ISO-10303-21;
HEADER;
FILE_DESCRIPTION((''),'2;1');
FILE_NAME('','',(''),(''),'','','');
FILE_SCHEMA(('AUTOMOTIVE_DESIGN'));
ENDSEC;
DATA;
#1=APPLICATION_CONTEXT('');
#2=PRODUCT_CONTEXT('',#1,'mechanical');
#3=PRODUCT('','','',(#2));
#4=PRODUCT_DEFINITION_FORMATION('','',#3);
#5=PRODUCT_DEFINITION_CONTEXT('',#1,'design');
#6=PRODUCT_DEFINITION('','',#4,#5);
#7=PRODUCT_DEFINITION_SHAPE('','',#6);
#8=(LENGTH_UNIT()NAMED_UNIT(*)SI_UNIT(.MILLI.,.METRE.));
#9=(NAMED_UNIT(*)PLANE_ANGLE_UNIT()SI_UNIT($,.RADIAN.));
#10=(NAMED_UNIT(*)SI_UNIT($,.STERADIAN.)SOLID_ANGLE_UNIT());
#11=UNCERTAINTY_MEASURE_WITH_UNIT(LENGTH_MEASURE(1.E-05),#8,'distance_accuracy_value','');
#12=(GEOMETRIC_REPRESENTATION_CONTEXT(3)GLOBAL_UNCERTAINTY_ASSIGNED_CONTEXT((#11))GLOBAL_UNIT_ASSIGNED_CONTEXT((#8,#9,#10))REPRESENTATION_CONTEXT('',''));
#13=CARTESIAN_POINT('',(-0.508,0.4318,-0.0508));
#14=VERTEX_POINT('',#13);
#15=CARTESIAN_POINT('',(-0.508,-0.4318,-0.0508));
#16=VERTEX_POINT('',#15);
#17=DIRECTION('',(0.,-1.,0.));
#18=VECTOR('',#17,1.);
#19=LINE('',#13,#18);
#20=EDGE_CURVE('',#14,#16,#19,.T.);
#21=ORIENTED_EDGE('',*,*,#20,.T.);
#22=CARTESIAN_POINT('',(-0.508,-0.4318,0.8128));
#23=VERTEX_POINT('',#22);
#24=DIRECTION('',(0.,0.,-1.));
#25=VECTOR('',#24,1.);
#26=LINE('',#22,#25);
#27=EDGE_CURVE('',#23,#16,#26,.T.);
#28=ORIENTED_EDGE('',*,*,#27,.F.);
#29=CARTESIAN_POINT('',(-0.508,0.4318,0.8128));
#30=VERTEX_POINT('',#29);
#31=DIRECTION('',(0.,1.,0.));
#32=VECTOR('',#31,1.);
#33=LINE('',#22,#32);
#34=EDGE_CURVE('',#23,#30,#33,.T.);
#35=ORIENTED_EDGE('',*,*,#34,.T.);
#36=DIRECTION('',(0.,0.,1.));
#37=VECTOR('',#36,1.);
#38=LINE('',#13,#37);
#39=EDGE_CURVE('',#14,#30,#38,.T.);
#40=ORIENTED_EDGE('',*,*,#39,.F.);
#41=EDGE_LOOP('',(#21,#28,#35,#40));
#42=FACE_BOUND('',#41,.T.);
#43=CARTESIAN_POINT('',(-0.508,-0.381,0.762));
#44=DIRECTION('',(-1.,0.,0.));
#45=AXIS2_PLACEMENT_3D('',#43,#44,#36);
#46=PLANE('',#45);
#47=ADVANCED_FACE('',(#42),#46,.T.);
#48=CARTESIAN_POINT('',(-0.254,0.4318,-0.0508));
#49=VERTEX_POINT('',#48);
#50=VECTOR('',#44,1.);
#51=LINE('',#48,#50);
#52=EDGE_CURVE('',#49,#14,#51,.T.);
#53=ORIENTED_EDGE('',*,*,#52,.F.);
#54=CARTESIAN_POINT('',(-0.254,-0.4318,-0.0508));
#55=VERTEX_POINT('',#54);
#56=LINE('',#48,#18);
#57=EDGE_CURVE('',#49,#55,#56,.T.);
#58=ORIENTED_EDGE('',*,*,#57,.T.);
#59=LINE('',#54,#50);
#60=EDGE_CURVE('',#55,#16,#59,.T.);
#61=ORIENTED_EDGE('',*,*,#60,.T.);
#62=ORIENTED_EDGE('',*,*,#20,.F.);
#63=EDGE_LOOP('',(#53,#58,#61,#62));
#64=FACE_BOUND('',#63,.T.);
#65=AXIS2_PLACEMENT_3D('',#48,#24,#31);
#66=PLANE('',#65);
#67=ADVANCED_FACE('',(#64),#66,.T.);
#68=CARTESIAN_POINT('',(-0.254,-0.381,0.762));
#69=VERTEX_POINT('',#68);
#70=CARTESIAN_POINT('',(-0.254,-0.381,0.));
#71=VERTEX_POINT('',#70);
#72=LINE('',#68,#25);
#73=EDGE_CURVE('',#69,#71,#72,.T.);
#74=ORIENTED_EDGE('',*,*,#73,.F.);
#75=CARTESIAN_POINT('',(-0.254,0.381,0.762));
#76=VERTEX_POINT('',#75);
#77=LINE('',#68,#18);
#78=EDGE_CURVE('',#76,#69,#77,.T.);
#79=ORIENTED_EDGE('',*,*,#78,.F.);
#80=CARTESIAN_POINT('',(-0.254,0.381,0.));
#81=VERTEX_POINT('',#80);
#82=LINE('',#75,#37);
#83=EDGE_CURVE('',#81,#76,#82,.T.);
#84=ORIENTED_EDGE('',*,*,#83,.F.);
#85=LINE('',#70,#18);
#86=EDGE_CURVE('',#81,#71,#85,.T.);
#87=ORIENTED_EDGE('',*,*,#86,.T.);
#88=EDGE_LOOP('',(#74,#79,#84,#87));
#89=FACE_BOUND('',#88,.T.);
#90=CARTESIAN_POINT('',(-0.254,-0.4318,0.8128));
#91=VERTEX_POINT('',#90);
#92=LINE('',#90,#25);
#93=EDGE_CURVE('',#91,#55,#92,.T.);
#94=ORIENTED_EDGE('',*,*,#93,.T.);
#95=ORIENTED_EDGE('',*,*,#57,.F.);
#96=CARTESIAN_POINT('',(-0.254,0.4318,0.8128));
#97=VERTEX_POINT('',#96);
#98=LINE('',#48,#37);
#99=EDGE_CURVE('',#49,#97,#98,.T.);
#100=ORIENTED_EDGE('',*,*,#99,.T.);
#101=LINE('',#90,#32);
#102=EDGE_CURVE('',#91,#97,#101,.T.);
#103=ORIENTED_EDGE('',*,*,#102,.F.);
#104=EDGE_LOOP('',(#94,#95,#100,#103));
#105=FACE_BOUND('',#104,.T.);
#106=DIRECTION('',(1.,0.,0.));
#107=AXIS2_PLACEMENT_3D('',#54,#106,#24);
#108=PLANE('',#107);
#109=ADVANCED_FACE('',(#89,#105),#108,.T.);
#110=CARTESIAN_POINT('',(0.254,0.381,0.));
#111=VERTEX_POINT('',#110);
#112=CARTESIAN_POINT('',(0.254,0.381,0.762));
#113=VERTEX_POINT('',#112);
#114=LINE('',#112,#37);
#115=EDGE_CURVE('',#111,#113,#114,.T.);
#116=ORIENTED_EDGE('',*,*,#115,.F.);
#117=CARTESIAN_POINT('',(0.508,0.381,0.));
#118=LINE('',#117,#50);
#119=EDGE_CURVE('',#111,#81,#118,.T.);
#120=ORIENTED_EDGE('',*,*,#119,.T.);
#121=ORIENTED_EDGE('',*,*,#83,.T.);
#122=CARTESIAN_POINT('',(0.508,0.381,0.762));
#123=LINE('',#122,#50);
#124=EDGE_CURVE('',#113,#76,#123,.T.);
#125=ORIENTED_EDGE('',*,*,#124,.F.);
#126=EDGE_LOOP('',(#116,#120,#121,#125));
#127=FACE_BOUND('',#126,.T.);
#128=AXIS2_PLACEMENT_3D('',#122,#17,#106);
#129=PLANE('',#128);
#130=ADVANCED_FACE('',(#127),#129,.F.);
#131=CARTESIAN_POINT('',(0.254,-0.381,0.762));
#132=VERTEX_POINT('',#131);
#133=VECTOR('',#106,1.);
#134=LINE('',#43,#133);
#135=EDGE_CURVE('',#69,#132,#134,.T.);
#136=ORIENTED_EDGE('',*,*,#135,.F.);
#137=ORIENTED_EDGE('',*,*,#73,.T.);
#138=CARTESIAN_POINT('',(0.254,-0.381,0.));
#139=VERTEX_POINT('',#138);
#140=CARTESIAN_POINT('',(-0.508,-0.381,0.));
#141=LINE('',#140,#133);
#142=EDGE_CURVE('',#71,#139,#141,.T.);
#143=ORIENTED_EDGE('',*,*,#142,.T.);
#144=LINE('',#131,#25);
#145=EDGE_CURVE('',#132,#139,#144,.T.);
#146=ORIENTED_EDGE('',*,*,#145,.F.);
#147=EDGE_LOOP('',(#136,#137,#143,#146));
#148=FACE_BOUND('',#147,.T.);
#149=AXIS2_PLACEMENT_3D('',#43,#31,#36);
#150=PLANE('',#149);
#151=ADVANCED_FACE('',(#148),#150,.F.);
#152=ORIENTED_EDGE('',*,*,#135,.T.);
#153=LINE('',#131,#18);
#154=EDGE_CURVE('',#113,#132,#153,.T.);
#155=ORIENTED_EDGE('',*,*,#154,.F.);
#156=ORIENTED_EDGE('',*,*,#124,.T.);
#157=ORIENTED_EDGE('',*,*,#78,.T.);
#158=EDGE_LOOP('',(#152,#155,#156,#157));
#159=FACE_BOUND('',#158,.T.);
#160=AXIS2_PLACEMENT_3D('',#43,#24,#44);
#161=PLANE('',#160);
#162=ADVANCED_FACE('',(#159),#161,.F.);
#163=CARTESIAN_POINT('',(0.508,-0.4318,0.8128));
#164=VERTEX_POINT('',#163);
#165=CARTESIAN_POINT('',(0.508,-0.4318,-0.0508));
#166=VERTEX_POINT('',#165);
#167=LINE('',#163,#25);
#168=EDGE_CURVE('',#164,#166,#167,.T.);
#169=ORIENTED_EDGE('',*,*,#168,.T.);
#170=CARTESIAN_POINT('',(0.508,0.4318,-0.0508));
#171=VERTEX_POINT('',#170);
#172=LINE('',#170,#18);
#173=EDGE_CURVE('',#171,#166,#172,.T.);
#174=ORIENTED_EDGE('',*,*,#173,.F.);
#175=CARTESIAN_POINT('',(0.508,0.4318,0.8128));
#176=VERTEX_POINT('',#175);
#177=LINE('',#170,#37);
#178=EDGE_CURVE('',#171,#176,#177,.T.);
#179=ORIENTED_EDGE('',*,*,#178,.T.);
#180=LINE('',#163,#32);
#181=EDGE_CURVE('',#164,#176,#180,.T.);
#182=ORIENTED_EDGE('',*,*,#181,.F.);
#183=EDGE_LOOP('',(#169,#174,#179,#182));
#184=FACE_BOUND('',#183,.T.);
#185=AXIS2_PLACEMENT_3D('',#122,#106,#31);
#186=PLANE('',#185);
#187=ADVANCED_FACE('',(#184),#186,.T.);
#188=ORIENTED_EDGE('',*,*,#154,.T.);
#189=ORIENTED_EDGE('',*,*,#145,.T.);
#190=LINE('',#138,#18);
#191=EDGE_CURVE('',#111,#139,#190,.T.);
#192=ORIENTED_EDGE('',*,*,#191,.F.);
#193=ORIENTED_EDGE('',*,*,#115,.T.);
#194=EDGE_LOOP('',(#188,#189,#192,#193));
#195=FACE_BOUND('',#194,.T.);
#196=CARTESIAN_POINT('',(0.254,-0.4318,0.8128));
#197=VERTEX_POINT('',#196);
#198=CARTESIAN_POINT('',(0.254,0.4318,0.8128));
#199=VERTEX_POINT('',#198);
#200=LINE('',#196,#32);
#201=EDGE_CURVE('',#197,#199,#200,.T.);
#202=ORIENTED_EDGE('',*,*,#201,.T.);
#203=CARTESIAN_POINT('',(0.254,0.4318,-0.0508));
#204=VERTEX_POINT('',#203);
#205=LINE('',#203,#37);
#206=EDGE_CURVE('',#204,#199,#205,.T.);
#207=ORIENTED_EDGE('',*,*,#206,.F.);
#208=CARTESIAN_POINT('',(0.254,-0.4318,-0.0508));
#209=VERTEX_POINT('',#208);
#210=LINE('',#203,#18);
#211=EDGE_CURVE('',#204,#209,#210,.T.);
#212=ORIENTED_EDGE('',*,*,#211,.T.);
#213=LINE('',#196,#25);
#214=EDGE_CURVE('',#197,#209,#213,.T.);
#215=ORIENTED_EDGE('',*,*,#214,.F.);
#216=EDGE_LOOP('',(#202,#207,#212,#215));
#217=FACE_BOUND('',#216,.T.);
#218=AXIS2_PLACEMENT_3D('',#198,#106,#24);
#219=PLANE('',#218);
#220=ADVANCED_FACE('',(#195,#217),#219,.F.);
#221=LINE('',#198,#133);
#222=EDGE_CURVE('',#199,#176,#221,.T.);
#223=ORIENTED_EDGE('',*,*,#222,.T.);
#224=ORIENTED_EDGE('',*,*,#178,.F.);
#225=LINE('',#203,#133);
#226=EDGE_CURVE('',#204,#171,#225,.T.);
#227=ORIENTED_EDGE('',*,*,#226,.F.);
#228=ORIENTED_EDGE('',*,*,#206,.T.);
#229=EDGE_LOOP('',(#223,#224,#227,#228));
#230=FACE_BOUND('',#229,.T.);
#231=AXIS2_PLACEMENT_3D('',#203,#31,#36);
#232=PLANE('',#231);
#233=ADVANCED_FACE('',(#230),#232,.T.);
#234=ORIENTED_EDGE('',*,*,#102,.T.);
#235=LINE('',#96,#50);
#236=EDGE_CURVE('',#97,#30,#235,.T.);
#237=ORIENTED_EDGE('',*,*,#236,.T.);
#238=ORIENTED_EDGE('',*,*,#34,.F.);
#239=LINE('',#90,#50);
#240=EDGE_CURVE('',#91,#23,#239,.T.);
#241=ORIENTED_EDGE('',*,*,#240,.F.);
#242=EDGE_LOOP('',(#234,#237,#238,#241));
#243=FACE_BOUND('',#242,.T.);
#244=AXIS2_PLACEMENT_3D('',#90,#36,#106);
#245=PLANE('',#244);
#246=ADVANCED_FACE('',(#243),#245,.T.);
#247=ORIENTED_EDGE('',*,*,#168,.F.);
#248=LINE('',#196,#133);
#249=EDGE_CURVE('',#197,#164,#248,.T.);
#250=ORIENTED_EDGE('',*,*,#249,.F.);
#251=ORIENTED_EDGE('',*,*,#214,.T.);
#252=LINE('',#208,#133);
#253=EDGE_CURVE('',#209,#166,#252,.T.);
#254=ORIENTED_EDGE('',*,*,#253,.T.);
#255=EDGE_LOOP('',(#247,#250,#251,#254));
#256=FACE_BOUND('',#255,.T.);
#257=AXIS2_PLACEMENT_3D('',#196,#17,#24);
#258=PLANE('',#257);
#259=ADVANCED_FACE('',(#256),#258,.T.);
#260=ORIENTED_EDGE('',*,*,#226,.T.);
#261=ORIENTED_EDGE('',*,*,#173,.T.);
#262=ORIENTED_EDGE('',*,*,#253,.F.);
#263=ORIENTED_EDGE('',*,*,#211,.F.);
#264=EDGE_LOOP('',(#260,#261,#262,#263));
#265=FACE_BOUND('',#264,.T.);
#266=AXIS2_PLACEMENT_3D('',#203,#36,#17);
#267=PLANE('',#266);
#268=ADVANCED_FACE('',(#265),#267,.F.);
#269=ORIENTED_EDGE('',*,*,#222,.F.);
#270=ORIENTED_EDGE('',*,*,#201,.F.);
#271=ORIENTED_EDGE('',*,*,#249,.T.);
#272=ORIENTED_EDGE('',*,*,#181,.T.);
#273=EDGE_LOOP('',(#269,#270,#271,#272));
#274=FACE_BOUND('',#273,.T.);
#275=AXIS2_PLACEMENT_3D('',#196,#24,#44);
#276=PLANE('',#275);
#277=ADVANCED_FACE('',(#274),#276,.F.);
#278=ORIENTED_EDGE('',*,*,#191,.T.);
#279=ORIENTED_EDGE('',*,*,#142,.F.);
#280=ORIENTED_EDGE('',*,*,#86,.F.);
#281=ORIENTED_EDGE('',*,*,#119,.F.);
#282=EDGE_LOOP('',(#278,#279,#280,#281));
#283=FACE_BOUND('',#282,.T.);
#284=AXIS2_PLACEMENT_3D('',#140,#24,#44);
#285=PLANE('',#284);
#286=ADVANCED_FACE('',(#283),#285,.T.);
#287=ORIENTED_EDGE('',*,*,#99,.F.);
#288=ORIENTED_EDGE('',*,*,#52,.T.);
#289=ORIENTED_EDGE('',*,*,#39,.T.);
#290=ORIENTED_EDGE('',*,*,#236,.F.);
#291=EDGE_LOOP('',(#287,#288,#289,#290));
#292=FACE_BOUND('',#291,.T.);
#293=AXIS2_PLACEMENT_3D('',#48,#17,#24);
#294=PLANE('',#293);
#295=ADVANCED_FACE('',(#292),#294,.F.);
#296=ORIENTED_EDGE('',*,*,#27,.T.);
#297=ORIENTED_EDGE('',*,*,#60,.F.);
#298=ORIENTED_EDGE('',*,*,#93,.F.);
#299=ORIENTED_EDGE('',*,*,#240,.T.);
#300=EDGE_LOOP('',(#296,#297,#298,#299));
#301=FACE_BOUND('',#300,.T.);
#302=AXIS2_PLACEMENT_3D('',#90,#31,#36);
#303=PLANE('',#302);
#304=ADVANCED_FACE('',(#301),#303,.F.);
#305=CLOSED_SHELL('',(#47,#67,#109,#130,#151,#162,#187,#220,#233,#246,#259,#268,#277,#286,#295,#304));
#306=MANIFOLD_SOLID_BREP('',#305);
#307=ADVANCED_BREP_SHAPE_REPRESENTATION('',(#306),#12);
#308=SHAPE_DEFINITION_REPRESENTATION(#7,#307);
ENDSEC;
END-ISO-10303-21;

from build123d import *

# Parameters (mm, degrees)
CHIP_W              = 1.016
CHIP_H              = 0.762
CHIP_CAP_DEPTH      = 0.762
SOLDER_BAND_W       = 0.8636
SOLDER_BAND_H       = 0.8636
SOLDER_BAND_R_DEPTH = 0.254
SKETCH3_W           = 0.8636
SKETCH3_H           = 0.8636
SOLDER_BAND_L_DEPTH = 0.254


with BuildPart() as part:
    # Chip → Chip Cap (new body)
    with BuildSketch(Plane.XY):
        Rectangle(CHIP_W, CHIP_H)
    extrude(amount=CHIP_CAP_DEPTH)

    # Solder Band → Solder Band R (add)
    with BuildSketch(Plane(origin=(0.508, 0, 0), x_dir=(0, 0, -1), z_dir=(1, 0, 0))):
        with Locations((-0.381, 0)):
            Rectangle(SOLDER_BAND_W, SOLDER_BAND_H)
    extrude(amount=-SOLDER_BAND_R_DEPTH)

    # Sketch3 → Solder Band L (add)
    with BuildSketch(Plane.ZY.offset(0.508)):
        with Locations((0.381, 0)):
            Rectangle(SKETCH3_W, SKETCH3_H)
    extrude(amount=-SOLDER_BAND_L_DEPTH)


solid = part.part
